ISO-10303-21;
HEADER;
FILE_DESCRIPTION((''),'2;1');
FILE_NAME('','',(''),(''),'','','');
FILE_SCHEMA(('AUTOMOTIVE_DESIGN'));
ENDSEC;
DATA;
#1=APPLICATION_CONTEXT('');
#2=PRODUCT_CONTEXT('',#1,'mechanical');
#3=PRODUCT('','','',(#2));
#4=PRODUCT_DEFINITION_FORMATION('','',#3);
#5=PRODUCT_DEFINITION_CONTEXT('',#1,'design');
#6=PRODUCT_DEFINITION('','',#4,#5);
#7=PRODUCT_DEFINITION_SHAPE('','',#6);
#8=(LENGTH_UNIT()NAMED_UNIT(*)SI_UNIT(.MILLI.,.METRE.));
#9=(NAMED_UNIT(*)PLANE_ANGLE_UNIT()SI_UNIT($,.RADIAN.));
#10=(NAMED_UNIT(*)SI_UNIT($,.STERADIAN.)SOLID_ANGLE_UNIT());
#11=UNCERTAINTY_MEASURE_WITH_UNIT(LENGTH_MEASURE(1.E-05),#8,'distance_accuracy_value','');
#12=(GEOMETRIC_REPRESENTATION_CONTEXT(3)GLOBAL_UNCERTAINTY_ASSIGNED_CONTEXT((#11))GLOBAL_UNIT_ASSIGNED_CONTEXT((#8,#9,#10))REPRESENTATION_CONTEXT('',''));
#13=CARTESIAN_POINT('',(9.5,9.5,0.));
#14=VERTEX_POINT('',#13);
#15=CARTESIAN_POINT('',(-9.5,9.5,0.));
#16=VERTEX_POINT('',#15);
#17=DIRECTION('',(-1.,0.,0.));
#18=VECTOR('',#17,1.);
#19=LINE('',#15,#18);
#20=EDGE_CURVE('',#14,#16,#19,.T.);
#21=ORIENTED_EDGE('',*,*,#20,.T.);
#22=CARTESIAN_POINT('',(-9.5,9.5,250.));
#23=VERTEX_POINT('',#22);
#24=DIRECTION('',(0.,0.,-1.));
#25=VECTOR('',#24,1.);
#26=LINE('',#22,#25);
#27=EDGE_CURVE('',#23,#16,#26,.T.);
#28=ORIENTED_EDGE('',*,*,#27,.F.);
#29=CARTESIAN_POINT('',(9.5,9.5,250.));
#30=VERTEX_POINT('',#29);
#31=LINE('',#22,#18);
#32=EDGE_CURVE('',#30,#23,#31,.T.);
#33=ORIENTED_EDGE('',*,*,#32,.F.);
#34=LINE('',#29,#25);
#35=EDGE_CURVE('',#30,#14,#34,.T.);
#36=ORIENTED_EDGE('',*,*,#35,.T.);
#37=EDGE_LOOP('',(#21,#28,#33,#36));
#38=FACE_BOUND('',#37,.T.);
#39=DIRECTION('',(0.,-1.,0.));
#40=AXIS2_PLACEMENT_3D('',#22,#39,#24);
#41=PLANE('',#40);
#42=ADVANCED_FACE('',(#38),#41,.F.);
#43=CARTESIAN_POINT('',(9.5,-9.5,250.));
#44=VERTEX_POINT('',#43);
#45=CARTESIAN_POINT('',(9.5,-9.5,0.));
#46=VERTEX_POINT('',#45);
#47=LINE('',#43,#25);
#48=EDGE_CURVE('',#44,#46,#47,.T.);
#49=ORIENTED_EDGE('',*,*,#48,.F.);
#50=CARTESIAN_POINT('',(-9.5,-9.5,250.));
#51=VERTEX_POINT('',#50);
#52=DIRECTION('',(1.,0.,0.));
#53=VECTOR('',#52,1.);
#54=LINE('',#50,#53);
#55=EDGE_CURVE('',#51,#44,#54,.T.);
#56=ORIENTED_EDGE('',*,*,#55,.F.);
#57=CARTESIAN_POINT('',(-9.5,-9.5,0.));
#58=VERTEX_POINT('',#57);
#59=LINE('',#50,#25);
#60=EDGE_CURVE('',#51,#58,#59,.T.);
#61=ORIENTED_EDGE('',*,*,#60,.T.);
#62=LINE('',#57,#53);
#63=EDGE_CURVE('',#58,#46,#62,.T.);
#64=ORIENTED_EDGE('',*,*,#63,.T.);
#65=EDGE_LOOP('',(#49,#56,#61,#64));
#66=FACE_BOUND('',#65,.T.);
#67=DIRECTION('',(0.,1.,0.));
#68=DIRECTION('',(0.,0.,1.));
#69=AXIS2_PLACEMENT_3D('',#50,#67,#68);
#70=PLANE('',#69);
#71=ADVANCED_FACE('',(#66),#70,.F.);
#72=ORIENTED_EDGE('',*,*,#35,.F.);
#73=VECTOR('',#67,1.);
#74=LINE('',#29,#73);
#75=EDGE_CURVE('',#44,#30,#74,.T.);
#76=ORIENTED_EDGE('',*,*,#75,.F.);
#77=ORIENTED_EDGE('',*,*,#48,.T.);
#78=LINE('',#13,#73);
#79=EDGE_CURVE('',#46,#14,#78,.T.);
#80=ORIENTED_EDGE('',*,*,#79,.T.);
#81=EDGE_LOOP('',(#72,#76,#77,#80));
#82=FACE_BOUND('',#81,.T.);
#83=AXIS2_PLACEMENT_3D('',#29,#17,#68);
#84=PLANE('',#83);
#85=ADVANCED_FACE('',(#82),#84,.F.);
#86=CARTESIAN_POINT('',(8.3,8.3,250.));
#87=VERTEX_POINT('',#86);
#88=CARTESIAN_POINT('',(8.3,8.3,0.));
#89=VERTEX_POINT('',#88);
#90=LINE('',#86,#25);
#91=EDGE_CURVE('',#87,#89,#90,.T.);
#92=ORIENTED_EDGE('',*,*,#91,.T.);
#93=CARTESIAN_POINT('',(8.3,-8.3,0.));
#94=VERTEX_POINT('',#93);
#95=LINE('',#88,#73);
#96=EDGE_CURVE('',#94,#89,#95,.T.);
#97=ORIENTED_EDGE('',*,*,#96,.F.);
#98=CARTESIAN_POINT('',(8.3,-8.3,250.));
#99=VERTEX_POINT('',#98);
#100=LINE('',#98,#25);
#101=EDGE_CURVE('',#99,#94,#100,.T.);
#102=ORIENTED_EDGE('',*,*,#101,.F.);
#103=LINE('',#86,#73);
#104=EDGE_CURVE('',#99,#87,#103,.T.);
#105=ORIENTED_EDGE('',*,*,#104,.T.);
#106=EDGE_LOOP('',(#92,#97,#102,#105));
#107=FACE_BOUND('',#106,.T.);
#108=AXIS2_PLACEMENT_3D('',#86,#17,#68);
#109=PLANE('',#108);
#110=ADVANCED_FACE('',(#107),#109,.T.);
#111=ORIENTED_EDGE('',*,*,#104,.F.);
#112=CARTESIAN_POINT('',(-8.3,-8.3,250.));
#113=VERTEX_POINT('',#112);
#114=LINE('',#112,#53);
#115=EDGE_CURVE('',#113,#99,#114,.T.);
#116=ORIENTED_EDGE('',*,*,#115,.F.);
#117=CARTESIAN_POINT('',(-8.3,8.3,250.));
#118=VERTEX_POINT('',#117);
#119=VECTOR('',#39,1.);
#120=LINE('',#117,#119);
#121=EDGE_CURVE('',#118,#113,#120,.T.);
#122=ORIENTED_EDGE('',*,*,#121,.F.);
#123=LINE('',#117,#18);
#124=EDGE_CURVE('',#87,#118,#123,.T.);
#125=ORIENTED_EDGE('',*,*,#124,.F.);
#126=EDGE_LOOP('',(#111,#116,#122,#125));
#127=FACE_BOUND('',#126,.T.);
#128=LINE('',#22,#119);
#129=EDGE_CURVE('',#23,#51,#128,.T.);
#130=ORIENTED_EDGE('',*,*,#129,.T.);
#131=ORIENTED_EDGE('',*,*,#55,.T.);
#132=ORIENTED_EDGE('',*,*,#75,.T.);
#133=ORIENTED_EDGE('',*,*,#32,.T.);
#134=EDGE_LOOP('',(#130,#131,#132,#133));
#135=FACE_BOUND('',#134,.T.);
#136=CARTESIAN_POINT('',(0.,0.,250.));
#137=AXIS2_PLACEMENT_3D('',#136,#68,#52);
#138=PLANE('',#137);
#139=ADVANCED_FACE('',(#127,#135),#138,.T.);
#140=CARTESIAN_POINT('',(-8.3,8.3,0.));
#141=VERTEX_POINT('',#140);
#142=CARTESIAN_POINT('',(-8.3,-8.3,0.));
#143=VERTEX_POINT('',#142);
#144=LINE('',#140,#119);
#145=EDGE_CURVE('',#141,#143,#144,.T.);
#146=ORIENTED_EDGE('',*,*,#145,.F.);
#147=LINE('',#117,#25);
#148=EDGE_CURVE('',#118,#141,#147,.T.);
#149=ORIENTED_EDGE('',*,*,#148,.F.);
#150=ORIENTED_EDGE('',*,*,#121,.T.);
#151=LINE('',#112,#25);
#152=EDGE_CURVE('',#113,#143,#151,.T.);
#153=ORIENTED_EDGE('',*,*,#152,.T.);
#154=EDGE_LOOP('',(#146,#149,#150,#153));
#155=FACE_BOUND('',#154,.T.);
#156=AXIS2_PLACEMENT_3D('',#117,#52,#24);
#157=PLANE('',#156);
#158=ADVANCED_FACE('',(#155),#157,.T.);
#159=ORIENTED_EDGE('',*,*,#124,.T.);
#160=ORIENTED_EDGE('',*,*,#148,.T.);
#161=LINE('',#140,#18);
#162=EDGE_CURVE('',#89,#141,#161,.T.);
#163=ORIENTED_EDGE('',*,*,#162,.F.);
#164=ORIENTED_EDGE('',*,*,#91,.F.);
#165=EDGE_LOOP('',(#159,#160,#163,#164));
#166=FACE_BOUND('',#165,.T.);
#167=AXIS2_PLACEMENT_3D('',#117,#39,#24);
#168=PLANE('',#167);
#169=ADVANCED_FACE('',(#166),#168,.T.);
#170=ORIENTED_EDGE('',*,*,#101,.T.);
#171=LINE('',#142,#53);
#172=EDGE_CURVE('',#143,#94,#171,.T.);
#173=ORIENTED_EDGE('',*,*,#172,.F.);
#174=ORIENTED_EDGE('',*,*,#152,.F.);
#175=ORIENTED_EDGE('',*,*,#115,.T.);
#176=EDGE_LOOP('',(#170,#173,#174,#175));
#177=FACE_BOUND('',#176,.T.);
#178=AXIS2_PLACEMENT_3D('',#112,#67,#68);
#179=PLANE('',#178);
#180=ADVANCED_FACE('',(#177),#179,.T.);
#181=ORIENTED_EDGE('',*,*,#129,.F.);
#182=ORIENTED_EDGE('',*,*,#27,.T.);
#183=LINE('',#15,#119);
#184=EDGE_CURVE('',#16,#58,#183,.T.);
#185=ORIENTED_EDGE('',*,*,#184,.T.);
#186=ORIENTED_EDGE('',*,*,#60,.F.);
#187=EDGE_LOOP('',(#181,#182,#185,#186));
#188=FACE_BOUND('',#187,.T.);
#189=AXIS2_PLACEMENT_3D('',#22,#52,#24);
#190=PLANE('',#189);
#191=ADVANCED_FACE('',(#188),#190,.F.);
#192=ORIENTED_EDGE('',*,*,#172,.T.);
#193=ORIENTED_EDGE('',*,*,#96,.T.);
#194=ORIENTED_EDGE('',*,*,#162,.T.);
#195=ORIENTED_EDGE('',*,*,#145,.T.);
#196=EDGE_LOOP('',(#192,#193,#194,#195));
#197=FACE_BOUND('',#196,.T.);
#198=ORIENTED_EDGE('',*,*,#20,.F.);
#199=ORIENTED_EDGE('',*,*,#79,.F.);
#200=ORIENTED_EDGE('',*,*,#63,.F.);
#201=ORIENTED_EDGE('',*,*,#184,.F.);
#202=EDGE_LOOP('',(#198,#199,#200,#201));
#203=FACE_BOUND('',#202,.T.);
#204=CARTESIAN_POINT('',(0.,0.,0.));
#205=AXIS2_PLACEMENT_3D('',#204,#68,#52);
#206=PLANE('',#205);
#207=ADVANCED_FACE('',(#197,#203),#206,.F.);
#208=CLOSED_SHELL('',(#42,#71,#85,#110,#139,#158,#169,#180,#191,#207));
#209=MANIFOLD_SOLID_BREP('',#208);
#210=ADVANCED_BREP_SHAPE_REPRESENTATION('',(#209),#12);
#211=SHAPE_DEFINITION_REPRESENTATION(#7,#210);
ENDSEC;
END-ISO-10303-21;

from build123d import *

# Parameters (mm, degrees)
SKETCH1_W           = 19
SKETCH1_H           = 19
SKETCH1_W_2         = 16.6
SKETCH1_H_2         = 16.6
BOSS_EXTRUDE1_DEPTH = 250


with BuildPart() as part:
    # Sketch1 → Boss-Extrude1 (new body)
    with BuildSketch(Plane.XY):
        Rectangle(SKETCH1_W, SKETCH1_H)
        Rectangle(SKETCH1_W_2, SKETCH1_H_2, mode=Mode.SUBTRACT)
    extrude(amount=BOSS_EXTRUDE1_DEPTH)


solid = part.part
